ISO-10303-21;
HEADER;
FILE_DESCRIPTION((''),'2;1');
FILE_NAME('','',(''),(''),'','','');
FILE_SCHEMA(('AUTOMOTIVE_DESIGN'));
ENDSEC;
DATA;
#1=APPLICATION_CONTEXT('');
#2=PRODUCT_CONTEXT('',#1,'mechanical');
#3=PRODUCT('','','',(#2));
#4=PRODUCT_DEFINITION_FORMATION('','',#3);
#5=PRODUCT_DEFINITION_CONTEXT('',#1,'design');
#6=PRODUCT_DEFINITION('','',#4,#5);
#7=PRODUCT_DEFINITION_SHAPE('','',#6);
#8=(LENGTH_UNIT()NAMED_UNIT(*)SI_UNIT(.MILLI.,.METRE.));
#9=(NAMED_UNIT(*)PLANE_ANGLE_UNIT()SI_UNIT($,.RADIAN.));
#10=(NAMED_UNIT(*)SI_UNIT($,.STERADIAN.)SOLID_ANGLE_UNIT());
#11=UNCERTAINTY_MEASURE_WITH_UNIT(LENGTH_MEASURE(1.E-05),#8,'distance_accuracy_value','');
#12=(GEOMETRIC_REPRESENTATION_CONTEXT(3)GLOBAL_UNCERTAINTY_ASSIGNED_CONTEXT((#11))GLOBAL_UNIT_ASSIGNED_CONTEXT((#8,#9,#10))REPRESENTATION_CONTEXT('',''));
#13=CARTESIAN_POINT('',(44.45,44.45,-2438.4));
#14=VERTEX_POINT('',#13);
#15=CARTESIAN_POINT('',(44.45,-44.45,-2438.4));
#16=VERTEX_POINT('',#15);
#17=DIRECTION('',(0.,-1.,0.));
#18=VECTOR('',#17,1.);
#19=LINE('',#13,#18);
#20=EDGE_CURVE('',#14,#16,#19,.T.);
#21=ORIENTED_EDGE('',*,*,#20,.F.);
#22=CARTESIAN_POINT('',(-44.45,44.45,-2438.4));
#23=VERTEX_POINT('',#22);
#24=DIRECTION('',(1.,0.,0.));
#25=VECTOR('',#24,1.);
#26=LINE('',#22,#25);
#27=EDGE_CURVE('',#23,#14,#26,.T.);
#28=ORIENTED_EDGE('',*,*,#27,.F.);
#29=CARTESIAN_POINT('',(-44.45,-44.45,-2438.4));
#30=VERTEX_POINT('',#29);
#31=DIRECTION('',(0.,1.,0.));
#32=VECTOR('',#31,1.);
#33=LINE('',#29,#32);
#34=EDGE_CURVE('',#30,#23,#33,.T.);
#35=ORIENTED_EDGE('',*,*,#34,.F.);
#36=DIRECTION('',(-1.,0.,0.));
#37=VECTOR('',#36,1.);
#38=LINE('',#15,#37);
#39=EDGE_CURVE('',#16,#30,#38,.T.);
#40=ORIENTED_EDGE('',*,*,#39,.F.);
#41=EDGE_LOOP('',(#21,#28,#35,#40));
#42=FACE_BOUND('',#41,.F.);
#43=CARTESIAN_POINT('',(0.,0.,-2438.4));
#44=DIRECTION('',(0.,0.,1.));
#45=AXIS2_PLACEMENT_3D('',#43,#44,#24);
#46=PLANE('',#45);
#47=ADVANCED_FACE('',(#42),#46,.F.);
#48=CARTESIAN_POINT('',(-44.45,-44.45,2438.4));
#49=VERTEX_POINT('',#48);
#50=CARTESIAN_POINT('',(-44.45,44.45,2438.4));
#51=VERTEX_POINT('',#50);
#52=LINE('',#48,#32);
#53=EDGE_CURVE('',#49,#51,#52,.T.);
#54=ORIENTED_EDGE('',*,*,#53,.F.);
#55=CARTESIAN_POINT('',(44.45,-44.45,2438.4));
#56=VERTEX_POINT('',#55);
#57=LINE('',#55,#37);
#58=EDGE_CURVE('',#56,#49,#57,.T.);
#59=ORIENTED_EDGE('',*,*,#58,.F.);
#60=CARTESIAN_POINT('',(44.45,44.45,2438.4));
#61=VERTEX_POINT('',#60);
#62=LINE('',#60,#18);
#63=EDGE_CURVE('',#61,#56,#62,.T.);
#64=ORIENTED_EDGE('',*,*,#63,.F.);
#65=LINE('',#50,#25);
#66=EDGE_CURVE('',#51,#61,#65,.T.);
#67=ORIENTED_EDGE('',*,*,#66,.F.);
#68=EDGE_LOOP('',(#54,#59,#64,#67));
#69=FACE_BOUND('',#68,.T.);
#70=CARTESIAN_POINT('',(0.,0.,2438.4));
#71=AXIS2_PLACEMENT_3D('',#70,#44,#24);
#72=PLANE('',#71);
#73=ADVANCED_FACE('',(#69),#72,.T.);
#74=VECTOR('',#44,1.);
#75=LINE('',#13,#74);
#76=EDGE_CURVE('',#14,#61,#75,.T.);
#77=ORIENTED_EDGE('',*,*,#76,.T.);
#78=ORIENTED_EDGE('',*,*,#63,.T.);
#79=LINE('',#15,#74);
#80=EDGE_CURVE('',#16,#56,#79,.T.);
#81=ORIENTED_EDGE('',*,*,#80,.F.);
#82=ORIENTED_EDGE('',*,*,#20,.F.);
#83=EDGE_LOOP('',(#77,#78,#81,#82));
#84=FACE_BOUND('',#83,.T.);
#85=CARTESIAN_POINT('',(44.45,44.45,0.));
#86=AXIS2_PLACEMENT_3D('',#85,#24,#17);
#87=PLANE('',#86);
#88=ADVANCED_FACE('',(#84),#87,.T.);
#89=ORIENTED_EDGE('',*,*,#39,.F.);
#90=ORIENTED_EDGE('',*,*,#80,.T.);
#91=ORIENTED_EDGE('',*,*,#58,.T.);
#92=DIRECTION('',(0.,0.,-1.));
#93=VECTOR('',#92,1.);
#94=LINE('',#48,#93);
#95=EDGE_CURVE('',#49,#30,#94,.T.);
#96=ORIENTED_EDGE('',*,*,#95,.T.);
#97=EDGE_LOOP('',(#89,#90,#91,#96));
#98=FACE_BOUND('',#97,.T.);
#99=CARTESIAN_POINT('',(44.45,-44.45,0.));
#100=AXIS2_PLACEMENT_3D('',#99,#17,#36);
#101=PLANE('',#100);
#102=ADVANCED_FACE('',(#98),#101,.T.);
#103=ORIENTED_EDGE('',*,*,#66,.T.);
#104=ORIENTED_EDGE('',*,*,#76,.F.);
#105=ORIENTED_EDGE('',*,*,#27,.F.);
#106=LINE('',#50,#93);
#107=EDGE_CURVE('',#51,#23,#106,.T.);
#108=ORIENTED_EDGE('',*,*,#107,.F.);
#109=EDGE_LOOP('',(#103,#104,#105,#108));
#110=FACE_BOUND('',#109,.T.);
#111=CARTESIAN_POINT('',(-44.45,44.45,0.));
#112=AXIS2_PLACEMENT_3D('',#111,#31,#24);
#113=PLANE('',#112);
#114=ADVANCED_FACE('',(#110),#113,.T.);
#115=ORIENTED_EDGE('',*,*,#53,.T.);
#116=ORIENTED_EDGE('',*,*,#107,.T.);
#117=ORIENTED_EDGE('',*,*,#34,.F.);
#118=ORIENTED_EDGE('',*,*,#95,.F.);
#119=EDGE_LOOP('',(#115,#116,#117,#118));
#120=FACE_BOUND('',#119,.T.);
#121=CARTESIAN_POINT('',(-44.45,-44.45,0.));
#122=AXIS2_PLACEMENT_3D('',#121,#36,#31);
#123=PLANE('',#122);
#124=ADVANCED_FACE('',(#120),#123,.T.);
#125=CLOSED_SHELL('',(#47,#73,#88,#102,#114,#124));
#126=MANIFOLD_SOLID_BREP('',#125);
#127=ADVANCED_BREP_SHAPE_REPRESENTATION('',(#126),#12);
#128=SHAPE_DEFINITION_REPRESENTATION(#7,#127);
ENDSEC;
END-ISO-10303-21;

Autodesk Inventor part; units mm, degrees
ref_plane "YZ Plane" through (0, 0, 0) normal (1, 0, 0) x (0, 1, 0)
ref_plane "XZ Plane" through (0, 0, 0) normal (0, 1, 0) x (-1, 0, 0)
ref_plane "XY Plane" through (0, 0, 0) normal (0, 0, 1) x (1, 0, 0)
sketch "Sketch1" plane through (0, 0, 0) normal (0, 0, 1) x (1, 0, 0)
  line L0 (44.45, -44.45) -> (-44.45, -44.45)
  line L1 (-44.45, -44.45) -> (-44.45, 44.45)
  line L2 (-44.45, 44.45) -> (44.45, 44.45)
  line L3 (44.45, 44.45) -> (44.45, -44.45)
  line L4 (44.45, -44.45) -> (-44.45, 44.45) construction
  line L5 (-44.45, -44.45) -> (44.45, 44.45) construction
  point P0 (0, 0)
  dimension "d0" = 88.9
  dimension "d1" = 88.9
extrude "Extrusion1" add sketch "Sketch1" along normal mid plane 4876.8
properties part number "4x4x192"
